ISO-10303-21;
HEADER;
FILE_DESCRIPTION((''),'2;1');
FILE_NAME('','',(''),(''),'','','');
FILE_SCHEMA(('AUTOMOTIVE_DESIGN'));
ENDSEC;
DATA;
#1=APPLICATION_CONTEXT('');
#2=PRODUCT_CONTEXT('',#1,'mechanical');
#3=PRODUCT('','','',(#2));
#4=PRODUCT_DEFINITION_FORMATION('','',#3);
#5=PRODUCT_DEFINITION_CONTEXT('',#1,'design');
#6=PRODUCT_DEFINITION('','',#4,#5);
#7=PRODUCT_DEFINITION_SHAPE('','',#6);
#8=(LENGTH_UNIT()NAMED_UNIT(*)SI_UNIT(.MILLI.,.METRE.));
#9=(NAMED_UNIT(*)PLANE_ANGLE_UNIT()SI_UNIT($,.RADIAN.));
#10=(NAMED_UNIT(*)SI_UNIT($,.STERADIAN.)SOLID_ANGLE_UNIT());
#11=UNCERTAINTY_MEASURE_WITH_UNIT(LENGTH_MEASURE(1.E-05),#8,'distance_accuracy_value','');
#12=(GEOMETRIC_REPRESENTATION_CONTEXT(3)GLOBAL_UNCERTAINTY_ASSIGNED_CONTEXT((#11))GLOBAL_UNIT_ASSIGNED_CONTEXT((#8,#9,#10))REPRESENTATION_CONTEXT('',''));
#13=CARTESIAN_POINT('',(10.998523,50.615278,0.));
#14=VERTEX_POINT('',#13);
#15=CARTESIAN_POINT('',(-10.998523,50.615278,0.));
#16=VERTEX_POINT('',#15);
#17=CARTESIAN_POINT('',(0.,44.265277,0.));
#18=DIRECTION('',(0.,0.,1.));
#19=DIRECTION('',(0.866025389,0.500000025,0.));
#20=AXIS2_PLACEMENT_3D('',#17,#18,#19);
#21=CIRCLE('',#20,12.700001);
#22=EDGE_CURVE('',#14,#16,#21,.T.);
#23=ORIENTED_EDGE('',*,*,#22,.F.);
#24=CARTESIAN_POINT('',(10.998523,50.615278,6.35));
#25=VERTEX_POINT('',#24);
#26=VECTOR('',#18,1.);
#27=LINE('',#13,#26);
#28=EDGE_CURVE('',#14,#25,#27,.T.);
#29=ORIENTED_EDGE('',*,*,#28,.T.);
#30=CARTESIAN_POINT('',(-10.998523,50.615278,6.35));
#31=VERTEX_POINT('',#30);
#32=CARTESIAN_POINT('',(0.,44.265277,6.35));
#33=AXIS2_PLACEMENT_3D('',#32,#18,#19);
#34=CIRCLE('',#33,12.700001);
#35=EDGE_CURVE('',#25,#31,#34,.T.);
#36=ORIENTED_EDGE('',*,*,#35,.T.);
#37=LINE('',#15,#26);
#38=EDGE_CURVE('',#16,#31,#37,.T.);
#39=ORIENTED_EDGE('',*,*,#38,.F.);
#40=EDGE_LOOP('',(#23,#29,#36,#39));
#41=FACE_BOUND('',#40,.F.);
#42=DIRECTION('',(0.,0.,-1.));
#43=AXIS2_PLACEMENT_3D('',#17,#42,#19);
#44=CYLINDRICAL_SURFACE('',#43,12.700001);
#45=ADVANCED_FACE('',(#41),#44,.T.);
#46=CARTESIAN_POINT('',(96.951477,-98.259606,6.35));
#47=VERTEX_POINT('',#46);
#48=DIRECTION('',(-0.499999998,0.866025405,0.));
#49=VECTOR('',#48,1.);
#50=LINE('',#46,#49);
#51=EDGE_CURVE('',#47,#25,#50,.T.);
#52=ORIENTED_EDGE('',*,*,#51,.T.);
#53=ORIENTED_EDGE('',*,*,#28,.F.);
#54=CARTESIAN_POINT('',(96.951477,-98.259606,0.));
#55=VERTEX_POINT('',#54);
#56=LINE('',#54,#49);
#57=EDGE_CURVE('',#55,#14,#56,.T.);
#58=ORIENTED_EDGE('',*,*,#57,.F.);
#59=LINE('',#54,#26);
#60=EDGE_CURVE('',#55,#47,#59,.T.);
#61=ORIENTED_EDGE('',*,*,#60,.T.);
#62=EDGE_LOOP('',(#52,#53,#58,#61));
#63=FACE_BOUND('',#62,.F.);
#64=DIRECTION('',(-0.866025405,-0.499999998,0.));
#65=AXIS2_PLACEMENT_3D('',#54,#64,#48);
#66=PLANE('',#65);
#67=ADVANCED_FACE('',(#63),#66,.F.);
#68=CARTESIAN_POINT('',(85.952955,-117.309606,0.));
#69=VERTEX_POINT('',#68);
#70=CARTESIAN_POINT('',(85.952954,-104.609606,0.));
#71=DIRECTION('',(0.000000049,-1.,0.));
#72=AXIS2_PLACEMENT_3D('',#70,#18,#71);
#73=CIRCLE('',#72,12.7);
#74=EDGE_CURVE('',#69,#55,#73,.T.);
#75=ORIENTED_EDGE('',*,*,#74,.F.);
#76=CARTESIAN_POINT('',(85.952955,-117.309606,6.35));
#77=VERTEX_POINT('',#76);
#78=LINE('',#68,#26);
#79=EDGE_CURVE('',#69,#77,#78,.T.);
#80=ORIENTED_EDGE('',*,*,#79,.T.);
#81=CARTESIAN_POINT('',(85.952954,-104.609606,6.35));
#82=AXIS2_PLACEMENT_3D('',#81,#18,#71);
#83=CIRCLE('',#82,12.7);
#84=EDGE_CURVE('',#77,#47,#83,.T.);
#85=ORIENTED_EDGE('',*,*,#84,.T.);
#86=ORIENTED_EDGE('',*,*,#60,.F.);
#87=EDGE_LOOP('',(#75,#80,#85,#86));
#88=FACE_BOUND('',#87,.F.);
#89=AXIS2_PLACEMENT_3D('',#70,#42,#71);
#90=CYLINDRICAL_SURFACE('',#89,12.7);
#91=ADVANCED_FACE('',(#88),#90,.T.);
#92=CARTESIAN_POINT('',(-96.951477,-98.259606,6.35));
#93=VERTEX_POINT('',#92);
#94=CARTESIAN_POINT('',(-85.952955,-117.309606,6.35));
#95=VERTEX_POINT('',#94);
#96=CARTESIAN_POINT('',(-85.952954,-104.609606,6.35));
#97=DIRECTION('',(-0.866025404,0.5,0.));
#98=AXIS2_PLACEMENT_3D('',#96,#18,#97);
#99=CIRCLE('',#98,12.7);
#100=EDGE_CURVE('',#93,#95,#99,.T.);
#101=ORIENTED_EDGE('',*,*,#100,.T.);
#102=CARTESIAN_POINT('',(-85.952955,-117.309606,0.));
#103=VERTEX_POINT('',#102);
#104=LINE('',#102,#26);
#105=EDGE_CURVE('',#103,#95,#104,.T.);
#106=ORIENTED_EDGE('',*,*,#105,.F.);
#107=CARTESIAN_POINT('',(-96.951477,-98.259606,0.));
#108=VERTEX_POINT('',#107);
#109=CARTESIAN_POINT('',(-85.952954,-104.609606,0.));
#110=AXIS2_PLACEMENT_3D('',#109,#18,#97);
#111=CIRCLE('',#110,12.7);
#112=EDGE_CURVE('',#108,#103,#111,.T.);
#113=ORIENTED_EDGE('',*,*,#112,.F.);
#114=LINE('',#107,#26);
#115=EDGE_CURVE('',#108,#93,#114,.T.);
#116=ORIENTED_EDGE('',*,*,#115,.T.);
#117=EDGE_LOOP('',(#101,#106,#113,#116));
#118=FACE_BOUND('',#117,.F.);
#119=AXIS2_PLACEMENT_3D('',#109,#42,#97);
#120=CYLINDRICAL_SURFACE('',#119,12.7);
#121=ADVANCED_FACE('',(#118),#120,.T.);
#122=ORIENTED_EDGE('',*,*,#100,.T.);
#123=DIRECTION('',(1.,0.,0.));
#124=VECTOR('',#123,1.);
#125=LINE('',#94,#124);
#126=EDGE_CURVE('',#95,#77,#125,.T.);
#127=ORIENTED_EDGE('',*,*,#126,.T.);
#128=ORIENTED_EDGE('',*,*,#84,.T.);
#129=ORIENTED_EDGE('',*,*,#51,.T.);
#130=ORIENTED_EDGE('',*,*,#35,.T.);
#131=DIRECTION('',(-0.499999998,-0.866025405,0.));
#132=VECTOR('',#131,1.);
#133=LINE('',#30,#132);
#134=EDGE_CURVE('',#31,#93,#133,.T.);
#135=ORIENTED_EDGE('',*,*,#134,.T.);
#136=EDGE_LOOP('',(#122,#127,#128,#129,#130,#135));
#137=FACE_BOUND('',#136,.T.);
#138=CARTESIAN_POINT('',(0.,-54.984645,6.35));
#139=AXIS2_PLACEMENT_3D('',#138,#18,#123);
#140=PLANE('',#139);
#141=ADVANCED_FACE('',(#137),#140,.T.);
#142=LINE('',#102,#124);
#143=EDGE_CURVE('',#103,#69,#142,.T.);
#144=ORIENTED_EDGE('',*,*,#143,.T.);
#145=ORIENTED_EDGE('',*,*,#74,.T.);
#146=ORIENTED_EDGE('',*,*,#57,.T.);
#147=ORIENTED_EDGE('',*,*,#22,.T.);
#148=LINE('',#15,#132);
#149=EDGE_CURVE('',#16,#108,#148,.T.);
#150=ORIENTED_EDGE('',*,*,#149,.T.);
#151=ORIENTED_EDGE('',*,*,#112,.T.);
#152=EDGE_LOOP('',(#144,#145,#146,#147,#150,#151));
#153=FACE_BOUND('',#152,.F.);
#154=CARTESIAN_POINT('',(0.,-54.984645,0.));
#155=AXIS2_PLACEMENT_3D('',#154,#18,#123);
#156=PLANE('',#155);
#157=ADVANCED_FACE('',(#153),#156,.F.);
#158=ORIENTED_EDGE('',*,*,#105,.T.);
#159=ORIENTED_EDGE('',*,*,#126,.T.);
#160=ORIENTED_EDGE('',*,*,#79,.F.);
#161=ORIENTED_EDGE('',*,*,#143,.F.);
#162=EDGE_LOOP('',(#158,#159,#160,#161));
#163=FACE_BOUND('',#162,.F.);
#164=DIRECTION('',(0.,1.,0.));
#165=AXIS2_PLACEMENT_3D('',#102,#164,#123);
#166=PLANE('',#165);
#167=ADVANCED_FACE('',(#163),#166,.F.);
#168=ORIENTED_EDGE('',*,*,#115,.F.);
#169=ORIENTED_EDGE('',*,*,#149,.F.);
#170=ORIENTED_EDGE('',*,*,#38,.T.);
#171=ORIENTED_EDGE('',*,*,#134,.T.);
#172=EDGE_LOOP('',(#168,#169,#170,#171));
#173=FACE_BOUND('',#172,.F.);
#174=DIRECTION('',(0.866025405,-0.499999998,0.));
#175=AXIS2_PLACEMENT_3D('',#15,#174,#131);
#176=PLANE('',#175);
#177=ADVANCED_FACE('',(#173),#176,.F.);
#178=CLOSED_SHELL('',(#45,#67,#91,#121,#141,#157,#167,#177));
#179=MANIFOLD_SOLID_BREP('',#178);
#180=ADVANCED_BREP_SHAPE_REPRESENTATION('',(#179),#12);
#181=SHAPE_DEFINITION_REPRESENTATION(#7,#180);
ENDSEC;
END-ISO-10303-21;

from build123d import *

# Parameters (mm, degrees)
F1_DEPTH = 6.35


with BuildPart() as f1:
    # F0 (on Top) → F1 (new body)
    with BuildSketch(Plane.XY):
        with BuildLine():
            ThreePointArc((-96.951477, -98.259606), (-96.951477, -110.959606), (-85.952955, -117.309606))
            Line((-85.952955, -117.309606), (85.952955, -117.309606))
            ThreePointArc((85.952955, -117.309606), (96.951477, -110.959606), (96.951477, -98.259606))
            Line((96.951477, -98.259606), (10.998523, 50.615278))
            ThreePointArc((10.998523, 50.615278), (0, 56.965278), (-10.998523, 50.615278))
            Line((-10.998523, 50.615278), (-96.951477, -98.259606))
        make_face()
    extrude(amount=F1_DEPTH)


solid = f1.part
